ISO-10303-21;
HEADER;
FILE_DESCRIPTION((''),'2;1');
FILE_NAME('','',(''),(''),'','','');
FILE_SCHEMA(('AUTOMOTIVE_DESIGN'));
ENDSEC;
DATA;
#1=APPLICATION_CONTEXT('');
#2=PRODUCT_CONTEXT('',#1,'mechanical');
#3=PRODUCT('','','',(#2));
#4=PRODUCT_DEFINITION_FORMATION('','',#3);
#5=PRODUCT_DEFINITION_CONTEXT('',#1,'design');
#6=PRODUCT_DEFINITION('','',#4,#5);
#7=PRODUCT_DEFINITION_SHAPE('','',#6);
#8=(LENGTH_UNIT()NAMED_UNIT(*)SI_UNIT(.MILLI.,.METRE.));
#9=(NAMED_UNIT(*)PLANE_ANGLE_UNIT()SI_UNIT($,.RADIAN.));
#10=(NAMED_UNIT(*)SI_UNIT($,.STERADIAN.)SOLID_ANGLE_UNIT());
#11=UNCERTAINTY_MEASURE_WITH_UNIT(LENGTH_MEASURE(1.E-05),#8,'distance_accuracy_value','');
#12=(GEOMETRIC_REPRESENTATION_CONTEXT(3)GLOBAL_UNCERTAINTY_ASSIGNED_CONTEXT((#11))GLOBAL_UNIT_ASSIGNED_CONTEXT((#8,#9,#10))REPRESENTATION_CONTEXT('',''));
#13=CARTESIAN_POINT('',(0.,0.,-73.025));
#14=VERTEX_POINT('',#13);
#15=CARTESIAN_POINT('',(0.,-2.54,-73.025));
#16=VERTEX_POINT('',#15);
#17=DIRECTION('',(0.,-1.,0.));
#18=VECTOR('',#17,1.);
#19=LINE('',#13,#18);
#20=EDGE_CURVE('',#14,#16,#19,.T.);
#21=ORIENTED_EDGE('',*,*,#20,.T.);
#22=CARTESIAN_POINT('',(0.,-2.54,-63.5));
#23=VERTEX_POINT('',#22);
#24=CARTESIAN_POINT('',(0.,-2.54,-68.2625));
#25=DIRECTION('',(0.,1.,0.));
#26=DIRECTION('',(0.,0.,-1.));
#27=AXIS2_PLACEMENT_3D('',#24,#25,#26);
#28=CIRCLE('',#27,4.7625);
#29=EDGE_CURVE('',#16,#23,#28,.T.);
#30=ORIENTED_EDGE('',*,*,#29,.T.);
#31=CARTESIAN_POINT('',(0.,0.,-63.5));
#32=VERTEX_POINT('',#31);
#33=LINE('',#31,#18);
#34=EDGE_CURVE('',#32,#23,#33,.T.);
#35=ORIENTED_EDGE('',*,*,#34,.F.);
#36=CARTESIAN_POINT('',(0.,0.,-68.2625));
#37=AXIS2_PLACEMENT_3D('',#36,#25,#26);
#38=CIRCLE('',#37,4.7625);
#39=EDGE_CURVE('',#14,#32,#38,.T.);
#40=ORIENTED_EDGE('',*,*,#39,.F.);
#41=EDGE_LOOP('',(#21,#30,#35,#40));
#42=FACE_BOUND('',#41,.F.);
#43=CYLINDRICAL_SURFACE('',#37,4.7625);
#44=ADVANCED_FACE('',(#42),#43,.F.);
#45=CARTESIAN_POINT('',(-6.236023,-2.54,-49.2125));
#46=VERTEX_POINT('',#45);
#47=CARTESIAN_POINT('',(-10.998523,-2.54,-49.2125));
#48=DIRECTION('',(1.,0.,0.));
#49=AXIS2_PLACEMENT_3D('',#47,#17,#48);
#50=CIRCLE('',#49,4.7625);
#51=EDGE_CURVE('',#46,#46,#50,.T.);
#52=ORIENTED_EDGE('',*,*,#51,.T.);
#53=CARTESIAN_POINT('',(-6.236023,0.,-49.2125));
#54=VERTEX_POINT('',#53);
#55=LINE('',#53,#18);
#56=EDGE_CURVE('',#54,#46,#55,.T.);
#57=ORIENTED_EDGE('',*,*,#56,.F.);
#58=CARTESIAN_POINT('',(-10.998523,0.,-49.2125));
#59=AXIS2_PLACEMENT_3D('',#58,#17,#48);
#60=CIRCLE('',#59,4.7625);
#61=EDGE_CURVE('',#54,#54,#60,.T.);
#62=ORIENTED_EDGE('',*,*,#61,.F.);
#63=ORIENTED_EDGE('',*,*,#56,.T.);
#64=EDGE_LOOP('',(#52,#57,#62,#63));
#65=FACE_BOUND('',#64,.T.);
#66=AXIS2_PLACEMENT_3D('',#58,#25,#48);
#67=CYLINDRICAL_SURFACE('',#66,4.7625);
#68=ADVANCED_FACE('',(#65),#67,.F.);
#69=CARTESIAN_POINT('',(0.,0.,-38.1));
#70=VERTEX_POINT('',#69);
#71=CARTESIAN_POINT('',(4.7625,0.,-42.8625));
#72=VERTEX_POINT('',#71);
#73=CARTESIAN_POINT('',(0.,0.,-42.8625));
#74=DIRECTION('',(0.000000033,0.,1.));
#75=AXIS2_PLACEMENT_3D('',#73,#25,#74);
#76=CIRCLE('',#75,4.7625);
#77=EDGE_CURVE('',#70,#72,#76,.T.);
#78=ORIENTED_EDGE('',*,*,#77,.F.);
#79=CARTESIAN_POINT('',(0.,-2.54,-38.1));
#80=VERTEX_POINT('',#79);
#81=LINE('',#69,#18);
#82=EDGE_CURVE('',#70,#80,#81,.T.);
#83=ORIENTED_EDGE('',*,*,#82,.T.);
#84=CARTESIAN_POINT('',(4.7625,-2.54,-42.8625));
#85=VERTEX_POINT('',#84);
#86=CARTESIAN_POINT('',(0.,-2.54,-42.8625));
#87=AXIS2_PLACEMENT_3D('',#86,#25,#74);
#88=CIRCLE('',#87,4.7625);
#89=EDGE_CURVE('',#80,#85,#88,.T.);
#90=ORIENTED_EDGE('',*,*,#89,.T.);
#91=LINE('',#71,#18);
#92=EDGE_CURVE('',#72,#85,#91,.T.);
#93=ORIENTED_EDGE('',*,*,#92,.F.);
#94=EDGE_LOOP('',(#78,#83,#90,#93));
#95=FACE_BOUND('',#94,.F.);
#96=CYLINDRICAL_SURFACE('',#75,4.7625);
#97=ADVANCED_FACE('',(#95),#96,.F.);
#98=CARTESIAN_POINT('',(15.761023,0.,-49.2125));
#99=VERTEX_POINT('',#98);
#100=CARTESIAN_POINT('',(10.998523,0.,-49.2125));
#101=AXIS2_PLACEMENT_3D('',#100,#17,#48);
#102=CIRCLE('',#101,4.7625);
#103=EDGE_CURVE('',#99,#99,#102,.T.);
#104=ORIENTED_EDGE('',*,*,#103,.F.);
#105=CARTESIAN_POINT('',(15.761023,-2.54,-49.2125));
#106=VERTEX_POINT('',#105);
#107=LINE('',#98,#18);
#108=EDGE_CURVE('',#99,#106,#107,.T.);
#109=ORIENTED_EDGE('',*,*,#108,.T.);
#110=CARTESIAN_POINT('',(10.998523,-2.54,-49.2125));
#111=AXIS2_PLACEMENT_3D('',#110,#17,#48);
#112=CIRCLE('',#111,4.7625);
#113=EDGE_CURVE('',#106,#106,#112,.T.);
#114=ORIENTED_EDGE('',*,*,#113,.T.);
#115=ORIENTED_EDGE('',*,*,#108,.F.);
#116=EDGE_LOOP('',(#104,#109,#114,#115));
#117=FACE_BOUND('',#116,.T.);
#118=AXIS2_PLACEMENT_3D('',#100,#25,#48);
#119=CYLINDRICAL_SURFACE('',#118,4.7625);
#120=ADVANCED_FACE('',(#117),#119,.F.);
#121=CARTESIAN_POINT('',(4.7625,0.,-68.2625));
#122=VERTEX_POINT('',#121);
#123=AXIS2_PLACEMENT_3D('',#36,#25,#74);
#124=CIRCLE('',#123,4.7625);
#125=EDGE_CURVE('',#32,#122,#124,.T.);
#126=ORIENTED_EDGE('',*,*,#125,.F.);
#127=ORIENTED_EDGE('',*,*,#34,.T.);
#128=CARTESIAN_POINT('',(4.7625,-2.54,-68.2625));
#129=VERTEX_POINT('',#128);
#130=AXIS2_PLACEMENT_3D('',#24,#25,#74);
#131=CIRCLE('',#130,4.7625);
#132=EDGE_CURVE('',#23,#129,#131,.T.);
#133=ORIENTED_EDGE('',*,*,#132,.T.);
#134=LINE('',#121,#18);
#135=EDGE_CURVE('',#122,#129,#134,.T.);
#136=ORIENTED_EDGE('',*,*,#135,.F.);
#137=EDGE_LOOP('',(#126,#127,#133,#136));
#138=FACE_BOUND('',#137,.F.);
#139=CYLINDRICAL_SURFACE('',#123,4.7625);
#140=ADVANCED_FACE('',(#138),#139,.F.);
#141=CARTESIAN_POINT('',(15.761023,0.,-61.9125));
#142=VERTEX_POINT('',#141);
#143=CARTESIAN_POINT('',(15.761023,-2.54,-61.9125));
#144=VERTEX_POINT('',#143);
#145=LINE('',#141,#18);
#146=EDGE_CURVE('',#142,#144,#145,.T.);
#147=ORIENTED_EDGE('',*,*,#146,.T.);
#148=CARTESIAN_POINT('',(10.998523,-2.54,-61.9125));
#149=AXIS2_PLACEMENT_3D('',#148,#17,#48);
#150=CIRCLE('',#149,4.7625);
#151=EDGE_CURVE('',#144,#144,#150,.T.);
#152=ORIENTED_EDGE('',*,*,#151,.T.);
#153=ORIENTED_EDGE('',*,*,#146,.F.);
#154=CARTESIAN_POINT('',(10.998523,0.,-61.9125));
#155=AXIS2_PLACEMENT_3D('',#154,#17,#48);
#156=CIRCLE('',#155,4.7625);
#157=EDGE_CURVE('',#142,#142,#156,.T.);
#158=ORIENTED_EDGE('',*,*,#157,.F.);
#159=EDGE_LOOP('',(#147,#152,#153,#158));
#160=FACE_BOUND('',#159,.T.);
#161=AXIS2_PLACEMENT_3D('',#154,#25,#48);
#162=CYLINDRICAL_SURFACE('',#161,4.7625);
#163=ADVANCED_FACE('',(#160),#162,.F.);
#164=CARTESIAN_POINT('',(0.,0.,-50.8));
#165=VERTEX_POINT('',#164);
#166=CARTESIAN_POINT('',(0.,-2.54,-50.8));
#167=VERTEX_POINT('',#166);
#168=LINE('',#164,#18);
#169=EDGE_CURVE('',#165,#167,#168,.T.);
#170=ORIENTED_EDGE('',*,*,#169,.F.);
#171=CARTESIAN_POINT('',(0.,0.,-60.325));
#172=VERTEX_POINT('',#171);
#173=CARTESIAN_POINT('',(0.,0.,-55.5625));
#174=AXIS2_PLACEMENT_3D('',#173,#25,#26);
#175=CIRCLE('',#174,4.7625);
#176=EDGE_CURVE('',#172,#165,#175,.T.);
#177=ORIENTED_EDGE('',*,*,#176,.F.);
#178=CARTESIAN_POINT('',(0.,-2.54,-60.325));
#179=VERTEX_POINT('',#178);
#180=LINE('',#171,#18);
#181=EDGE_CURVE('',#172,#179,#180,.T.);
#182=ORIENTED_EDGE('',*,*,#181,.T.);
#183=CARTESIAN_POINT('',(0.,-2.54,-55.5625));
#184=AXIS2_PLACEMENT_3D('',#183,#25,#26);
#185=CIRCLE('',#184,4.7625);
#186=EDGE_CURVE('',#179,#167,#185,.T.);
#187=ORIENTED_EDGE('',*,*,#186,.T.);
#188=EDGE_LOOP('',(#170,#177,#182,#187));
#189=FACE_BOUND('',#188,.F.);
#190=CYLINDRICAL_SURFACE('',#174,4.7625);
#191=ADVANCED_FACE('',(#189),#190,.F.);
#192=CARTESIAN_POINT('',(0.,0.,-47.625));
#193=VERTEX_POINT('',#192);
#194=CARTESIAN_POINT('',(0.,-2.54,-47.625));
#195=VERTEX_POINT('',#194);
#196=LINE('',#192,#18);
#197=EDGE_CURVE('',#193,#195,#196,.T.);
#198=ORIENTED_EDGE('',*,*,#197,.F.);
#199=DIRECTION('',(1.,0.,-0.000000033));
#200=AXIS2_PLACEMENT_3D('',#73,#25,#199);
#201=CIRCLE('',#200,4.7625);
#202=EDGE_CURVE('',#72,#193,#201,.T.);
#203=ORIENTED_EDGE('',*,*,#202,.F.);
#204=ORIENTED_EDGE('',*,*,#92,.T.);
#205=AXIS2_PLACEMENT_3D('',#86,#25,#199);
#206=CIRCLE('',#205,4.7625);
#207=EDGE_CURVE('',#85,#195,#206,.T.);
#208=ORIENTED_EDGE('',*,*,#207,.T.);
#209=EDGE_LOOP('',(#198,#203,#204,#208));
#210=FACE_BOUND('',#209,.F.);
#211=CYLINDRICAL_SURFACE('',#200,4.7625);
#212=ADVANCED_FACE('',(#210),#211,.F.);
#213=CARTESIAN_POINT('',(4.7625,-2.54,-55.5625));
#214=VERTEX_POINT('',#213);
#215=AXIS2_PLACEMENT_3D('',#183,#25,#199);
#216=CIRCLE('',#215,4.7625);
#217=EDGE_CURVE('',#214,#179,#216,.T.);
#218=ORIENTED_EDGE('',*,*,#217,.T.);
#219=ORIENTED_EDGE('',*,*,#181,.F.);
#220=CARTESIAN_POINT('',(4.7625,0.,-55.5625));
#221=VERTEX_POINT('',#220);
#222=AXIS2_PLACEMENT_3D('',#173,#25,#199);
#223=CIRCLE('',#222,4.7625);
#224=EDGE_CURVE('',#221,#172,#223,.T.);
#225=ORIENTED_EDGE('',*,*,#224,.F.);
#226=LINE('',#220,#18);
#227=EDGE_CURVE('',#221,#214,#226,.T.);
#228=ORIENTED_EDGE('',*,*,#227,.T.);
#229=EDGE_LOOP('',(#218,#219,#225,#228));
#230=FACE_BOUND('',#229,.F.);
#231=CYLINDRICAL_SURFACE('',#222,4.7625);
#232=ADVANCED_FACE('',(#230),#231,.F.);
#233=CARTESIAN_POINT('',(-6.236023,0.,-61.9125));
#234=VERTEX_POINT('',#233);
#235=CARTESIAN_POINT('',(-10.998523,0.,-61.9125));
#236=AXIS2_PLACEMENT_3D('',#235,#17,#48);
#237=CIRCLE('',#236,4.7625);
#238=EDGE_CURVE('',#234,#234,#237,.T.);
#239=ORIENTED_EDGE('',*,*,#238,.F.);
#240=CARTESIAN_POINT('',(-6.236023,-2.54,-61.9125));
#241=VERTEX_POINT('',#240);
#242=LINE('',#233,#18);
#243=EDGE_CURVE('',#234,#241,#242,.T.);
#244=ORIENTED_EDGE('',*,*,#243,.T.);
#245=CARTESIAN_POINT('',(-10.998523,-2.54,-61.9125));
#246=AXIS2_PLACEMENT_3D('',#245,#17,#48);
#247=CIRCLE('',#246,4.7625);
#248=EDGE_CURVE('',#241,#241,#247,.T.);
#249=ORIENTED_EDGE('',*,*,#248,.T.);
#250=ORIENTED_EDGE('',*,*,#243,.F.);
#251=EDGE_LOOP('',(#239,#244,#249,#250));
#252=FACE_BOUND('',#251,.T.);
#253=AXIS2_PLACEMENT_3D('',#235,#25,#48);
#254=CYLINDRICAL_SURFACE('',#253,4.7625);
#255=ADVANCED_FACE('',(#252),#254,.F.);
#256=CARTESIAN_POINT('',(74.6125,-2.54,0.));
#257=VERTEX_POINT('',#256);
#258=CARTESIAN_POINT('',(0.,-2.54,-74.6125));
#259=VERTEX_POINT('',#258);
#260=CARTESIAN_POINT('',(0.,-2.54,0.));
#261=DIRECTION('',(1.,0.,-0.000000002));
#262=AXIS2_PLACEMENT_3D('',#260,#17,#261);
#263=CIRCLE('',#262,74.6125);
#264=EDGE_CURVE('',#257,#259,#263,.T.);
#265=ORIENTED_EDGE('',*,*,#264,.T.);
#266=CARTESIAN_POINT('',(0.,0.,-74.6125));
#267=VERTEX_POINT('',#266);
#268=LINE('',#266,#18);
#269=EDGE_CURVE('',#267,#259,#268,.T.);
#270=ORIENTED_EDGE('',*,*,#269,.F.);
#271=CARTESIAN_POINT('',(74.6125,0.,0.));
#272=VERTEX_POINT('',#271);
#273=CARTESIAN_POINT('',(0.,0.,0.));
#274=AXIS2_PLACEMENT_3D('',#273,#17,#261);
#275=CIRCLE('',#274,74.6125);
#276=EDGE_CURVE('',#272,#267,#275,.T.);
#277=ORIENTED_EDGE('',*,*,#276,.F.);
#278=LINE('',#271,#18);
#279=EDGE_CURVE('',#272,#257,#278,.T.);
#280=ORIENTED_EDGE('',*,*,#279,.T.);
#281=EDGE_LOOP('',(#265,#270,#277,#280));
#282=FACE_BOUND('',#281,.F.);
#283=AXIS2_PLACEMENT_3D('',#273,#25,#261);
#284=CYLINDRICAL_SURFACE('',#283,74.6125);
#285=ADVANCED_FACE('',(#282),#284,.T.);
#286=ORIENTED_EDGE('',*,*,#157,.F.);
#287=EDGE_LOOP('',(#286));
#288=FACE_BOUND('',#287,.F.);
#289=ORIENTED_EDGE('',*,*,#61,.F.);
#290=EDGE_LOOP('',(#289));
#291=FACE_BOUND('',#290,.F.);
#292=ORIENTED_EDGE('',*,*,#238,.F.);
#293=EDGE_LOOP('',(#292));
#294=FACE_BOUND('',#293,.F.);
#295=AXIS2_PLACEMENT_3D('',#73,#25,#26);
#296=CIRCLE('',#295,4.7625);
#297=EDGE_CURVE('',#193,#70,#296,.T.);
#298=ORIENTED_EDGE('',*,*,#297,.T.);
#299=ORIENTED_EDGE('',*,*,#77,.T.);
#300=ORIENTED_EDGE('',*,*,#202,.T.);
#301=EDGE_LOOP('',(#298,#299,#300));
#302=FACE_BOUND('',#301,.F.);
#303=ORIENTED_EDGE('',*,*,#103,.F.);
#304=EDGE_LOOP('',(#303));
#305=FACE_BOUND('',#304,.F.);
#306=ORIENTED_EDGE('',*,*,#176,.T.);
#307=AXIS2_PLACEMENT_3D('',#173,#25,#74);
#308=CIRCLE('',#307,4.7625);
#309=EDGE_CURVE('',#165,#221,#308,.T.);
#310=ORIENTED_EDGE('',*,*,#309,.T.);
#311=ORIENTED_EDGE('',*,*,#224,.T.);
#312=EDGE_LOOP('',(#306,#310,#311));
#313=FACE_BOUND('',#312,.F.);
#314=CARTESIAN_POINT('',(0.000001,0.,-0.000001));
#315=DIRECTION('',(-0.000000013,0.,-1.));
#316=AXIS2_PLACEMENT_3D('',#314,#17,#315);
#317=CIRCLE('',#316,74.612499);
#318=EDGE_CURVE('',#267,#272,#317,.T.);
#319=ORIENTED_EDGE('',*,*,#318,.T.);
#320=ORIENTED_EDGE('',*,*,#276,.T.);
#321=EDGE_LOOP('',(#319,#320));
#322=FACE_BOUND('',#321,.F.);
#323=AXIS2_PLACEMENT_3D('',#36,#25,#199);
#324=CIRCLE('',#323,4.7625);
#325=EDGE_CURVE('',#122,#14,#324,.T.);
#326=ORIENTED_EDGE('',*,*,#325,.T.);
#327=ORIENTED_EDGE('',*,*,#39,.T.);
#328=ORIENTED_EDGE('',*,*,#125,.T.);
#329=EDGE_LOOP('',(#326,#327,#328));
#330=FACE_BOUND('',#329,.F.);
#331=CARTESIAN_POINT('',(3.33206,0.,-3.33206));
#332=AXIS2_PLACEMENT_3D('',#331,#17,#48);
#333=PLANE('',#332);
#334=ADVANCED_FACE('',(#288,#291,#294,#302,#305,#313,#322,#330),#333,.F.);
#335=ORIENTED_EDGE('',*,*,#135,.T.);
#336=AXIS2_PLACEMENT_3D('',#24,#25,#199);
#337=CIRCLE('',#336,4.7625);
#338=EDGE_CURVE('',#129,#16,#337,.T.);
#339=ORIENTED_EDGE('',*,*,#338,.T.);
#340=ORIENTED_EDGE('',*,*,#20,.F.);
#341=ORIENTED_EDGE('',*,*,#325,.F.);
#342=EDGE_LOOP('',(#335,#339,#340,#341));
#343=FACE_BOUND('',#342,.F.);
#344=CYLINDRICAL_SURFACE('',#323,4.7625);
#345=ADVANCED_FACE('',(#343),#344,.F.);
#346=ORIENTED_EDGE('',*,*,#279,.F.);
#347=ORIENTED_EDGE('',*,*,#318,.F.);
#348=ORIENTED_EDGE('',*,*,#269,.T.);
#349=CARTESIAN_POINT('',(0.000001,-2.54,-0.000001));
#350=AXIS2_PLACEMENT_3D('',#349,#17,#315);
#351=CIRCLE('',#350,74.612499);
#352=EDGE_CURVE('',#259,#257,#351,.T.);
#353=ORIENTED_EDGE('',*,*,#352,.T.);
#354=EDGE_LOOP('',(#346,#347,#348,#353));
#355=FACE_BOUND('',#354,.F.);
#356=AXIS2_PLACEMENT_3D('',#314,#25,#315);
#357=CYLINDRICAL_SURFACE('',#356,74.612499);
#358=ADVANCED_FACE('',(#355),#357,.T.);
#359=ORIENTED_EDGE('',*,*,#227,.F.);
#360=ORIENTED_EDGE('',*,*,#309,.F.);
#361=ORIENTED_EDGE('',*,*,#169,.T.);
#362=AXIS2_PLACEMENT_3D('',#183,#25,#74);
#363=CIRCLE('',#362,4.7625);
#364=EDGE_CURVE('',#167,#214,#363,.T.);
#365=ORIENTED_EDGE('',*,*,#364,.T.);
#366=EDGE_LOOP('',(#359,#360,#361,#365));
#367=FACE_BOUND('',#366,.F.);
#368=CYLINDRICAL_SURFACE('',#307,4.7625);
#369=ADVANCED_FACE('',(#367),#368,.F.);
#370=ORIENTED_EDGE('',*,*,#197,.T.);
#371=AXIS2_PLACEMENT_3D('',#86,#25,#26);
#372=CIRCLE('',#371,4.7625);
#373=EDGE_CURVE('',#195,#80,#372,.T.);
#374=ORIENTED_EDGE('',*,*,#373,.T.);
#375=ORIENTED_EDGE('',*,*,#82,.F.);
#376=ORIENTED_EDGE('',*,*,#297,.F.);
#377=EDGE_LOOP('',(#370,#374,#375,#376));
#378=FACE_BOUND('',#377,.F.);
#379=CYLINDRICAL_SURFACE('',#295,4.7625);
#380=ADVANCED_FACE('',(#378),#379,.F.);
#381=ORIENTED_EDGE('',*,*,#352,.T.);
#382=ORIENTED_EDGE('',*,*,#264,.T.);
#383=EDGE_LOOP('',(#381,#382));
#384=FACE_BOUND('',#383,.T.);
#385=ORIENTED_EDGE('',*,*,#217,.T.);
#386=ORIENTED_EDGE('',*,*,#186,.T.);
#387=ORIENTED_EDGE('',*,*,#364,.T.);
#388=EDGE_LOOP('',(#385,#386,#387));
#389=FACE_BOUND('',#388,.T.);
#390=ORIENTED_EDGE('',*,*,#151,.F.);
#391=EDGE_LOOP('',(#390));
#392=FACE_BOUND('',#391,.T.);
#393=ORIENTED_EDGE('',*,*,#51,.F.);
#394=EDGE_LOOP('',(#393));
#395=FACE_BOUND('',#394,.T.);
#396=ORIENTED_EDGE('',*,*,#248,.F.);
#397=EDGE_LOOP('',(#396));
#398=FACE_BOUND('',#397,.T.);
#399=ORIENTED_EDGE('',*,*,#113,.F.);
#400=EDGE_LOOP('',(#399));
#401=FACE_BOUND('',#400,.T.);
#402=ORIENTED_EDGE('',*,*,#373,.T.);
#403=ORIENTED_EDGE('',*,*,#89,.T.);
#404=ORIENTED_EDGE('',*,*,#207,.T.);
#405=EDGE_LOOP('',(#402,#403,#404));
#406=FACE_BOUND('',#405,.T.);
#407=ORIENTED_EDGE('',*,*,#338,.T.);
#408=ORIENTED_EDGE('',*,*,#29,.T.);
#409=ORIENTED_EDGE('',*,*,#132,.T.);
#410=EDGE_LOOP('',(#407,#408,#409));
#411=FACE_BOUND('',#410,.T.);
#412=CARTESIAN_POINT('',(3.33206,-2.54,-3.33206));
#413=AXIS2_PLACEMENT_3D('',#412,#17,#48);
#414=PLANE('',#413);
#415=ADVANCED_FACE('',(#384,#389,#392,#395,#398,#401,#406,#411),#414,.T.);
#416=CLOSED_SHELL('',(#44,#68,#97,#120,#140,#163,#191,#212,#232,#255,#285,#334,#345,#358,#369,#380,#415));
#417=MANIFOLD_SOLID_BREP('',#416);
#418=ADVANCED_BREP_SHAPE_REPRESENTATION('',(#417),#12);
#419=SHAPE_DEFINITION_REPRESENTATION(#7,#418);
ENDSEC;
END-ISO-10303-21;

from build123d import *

# Parameters (mm, degrees)
F0_R     = 4.7625
F1_DEPTH = 2.54


with BuildPart() as f1:
    # F0 (on Front) → F1 (new body)
    with BuildSketch(Plane.XZ):
        with BuildLine():
            ThreePointArc((0, -74.6125), (52.759005, -52.759005), (74.6125, 0))
            ThreePointArc((74.6125, 0), (-52.759005, 52.759005), (0, -74.6125))
        make_face()
        with Locations((-10.998523, -61.9125)):
            Circle(F0_R, mode=Mode.SUBTRACT)
        with Locations((-10.998523, -49.2125)):
            Circle(F0_R, mode=Mode.SUBTRACT)
        with BuildLine():
            ThreePointArc((4.7625, -68.2625), (3.367596, -71.630096), (0, -73.025))
            ThreePointArc((0, -73.025), (-4.7625, -68.2625), (0, -63.5))
            ThreePointArc((0, -63.5), (3.367596, -64.894904), (4.7625, -68.2625))
        make_face(mode=Mode.SUBTRACT)
        with Locations((10.998523, -61.9125)):
            Circle(F0_R, mode=Mode.SUBTRACT)
        with BuildLine():
            ThreePointArc((4.7625, -55.5625), (3.367596, -58.930096), (0, -60.325))
            ThreePointArc((0, -60.325), (-4.7625, -55.5625), (0, -50.8))
            ThreePointArc((0, -50.8), (3.367596, -52.194904), (4.7625, -55.5625))
        make_face(mode=Mode.SUBTRACT)
        with Locations((10.998523, -49.2125)):
            Circle(F0_R, mode=Mode.SUBTRACT)
        with BuildLine():
            ThreePointArc((4.7625, -42.8625), (3.367596, -46.230096), (0, -47.625))
            ThreePointArc((0, -47.625), (-4.7625, -42.8625), (0, -38.1))
            ThreePointArc((0, -38.1), (3.367596, -39.494904), (4.7625, -42.8625))
        make_face(mode=Mode.SUBTRACT)
    extrude(amount=F1_DEPTH)


solid = f1.part
